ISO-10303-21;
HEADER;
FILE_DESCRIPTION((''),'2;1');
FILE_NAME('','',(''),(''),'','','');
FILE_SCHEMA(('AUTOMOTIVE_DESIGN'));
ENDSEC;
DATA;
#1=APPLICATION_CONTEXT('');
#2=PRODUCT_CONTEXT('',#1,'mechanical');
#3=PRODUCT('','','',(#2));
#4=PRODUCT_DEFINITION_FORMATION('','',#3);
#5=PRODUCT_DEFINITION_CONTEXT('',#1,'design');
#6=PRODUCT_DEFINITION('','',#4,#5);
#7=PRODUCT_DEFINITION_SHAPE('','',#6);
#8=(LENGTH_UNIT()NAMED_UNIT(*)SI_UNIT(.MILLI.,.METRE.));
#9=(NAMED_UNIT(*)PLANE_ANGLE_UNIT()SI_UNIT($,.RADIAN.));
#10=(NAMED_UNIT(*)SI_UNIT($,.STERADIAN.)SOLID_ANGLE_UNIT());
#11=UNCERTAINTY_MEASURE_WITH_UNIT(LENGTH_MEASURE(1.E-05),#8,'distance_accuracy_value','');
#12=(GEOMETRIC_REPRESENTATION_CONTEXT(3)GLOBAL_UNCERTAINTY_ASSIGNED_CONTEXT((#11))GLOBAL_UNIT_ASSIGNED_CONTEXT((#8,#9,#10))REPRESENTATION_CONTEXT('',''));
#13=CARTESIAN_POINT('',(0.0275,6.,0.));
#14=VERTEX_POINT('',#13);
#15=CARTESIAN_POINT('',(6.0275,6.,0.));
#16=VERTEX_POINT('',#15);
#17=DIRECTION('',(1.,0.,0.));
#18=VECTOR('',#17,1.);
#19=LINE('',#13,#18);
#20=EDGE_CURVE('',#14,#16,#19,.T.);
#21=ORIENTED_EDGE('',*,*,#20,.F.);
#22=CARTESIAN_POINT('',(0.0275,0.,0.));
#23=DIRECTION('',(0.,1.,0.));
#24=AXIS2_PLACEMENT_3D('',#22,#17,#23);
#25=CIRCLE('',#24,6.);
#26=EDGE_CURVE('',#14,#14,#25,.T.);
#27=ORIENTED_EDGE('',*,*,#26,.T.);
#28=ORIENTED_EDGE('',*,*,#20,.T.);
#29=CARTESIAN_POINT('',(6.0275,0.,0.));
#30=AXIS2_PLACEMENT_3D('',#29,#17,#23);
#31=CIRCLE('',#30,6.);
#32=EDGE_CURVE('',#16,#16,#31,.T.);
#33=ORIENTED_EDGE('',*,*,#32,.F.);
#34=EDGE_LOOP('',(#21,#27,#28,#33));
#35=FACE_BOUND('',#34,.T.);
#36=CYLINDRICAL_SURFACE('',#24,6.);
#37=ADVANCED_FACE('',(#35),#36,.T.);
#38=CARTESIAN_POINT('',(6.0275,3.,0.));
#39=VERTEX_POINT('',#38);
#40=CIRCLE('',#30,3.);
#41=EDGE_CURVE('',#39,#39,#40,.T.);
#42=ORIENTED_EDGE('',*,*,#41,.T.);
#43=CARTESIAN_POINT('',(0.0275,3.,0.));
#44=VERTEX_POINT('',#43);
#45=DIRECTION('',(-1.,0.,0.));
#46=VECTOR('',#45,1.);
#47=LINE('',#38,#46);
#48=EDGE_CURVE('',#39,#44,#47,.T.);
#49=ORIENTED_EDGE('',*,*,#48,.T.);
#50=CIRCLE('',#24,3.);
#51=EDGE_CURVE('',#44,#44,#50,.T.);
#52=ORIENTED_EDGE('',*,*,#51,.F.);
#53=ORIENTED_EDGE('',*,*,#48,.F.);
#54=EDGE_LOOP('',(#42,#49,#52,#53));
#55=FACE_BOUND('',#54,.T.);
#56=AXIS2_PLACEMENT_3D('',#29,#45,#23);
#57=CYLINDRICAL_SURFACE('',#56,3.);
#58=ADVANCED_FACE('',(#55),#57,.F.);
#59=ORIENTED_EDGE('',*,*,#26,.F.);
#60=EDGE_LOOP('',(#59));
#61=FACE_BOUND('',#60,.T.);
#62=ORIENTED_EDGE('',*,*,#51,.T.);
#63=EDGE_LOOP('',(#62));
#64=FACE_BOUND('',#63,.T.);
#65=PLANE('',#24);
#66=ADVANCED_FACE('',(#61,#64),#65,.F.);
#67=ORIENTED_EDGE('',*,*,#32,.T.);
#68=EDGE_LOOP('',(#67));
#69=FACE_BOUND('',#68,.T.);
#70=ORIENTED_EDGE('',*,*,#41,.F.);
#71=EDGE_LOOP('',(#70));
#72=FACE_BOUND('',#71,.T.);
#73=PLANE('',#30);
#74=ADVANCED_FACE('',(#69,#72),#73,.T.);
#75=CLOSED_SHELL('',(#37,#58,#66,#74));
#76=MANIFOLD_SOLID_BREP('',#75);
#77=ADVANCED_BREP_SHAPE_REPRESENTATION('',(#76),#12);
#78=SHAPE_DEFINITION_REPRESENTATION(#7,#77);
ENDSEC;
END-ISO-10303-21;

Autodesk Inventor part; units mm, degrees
ref_plane "YZ Plane" through (0, 0, 0) normal (1, 0, 0) x (0, 1, 0)
ref_plane "XZ Plane" through (0, 0, 0) normal (0, 1, 0) x (-1, 0, 0)
ref_plane "XY Plane" through (0, 0, 0) normal (0, 0, 1) x (1, 0, 0)
sketch "Sketch1" plane through (0, 0, 0) normal (0, 0, 1) x (1, 0, 0)
  line L0 (0.0275, 3) -> (0.0275, 6)
  line L1 (0.0275, 6) -> (6.0275, 6)
  line L2 (6.0275, 6) -> (6.0275, 3)
  line L3 (6.0275, 3) -> (0.0275, 3)
  line L4 (0, 0) -> (6.0275, 0)
  dimension "d0" = 6
  dimension "d1" = 12
  dimension "d2" = 6
revolve "Revolution1" add sketch "Sketch1" angle 360 about axis through (0, 0, 0) along (1, 0, 0)
properties part number "204 part 1" material "Lead"
